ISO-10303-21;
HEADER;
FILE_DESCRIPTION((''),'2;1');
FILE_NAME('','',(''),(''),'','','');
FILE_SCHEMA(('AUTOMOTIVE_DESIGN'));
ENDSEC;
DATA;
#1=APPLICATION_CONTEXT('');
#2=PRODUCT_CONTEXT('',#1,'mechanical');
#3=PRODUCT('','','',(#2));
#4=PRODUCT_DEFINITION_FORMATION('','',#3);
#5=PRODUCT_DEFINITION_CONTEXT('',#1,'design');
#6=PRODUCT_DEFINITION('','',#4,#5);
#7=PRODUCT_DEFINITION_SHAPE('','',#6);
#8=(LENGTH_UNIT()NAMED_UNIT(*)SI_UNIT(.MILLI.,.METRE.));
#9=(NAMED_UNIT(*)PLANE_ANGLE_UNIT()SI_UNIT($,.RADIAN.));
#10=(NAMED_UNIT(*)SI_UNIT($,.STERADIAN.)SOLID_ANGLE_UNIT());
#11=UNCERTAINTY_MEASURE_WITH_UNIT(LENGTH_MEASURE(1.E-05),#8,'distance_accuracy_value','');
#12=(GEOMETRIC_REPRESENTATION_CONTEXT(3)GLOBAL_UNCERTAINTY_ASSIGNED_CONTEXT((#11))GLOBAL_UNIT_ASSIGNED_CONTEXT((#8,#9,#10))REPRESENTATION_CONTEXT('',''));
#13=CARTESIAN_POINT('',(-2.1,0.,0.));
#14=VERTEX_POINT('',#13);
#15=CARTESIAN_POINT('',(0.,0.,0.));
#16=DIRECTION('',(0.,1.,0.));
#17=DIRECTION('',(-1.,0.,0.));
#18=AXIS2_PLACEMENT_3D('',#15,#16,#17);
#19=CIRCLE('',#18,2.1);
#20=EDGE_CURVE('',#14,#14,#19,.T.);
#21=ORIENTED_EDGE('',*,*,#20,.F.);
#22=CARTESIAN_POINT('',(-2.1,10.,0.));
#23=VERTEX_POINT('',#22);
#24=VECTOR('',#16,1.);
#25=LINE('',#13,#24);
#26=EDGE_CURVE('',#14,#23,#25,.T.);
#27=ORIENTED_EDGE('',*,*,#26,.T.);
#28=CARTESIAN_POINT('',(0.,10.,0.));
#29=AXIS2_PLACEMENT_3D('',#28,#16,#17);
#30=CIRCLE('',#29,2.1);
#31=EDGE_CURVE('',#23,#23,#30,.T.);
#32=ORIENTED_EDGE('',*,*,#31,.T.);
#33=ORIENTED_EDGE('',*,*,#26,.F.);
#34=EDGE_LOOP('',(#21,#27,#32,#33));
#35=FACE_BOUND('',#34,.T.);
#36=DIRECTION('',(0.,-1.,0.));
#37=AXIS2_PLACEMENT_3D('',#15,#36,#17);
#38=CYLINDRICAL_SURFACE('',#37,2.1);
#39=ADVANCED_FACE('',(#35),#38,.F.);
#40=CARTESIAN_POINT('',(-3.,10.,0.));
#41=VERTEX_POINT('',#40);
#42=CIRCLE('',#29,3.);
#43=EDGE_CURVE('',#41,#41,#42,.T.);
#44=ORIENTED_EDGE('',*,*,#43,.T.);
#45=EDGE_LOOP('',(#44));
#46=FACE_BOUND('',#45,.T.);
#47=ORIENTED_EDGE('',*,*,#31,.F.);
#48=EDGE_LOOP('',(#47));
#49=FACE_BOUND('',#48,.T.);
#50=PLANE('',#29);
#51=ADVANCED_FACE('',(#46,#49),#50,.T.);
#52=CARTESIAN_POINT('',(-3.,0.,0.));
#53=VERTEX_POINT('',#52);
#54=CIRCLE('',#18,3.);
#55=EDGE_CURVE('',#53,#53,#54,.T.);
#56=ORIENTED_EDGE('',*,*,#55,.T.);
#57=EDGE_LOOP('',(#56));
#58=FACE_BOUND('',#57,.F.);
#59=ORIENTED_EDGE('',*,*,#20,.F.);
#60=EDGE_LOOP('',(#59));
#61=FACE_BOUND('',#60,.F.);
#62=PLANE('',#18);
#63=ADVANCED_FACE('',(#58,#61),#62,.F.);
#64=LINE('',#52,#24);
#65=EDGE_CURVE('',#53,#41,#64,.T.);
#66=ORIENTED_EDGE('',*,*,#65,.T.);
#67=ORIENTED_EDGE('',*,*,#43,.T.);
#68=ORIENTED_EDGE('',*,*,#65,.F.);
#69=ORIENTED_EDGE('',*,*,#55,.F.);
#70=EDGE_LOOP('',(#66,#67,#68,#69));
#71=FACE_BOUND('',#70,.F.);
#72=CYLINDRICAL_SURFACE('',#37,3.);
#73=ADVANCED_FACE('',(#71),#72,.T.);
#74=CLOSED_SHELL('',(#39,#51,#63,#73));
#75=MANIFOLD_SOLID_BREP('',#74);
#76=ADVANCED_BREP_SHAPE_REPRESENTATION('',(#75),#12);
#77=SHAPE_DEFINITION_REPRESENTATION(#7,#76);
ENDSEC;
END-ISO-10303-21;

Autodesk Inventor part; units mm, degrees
ref_plane "YZ Plane" through (0, 0, 0) normal (1, 0, 0) x (0, 1, 0)
ref_plane "XZ Plane" through (0, 0, 0) normal (0, 1, 0) x (-1, 0, 0)
ref_plane "XY Plane" through (0, 0, 0) normal (0, 0, 1) x (1, 0, 0)
sketch "Sketch1" plane through (0, 0, 0) normal (0, 1, 0) x (-1, 0, 0)
  circle A0 centre (0, 0) radius 2.1
  circle A1 centre (0, 0) radius 3
  dimension "d0" = 4.2
  dimension "d1" = 6
extrude "Extrusion1" add sketch "Sketch1" along normal blind 10
properties part number "Press_In_Cylinder_3DPrint"
